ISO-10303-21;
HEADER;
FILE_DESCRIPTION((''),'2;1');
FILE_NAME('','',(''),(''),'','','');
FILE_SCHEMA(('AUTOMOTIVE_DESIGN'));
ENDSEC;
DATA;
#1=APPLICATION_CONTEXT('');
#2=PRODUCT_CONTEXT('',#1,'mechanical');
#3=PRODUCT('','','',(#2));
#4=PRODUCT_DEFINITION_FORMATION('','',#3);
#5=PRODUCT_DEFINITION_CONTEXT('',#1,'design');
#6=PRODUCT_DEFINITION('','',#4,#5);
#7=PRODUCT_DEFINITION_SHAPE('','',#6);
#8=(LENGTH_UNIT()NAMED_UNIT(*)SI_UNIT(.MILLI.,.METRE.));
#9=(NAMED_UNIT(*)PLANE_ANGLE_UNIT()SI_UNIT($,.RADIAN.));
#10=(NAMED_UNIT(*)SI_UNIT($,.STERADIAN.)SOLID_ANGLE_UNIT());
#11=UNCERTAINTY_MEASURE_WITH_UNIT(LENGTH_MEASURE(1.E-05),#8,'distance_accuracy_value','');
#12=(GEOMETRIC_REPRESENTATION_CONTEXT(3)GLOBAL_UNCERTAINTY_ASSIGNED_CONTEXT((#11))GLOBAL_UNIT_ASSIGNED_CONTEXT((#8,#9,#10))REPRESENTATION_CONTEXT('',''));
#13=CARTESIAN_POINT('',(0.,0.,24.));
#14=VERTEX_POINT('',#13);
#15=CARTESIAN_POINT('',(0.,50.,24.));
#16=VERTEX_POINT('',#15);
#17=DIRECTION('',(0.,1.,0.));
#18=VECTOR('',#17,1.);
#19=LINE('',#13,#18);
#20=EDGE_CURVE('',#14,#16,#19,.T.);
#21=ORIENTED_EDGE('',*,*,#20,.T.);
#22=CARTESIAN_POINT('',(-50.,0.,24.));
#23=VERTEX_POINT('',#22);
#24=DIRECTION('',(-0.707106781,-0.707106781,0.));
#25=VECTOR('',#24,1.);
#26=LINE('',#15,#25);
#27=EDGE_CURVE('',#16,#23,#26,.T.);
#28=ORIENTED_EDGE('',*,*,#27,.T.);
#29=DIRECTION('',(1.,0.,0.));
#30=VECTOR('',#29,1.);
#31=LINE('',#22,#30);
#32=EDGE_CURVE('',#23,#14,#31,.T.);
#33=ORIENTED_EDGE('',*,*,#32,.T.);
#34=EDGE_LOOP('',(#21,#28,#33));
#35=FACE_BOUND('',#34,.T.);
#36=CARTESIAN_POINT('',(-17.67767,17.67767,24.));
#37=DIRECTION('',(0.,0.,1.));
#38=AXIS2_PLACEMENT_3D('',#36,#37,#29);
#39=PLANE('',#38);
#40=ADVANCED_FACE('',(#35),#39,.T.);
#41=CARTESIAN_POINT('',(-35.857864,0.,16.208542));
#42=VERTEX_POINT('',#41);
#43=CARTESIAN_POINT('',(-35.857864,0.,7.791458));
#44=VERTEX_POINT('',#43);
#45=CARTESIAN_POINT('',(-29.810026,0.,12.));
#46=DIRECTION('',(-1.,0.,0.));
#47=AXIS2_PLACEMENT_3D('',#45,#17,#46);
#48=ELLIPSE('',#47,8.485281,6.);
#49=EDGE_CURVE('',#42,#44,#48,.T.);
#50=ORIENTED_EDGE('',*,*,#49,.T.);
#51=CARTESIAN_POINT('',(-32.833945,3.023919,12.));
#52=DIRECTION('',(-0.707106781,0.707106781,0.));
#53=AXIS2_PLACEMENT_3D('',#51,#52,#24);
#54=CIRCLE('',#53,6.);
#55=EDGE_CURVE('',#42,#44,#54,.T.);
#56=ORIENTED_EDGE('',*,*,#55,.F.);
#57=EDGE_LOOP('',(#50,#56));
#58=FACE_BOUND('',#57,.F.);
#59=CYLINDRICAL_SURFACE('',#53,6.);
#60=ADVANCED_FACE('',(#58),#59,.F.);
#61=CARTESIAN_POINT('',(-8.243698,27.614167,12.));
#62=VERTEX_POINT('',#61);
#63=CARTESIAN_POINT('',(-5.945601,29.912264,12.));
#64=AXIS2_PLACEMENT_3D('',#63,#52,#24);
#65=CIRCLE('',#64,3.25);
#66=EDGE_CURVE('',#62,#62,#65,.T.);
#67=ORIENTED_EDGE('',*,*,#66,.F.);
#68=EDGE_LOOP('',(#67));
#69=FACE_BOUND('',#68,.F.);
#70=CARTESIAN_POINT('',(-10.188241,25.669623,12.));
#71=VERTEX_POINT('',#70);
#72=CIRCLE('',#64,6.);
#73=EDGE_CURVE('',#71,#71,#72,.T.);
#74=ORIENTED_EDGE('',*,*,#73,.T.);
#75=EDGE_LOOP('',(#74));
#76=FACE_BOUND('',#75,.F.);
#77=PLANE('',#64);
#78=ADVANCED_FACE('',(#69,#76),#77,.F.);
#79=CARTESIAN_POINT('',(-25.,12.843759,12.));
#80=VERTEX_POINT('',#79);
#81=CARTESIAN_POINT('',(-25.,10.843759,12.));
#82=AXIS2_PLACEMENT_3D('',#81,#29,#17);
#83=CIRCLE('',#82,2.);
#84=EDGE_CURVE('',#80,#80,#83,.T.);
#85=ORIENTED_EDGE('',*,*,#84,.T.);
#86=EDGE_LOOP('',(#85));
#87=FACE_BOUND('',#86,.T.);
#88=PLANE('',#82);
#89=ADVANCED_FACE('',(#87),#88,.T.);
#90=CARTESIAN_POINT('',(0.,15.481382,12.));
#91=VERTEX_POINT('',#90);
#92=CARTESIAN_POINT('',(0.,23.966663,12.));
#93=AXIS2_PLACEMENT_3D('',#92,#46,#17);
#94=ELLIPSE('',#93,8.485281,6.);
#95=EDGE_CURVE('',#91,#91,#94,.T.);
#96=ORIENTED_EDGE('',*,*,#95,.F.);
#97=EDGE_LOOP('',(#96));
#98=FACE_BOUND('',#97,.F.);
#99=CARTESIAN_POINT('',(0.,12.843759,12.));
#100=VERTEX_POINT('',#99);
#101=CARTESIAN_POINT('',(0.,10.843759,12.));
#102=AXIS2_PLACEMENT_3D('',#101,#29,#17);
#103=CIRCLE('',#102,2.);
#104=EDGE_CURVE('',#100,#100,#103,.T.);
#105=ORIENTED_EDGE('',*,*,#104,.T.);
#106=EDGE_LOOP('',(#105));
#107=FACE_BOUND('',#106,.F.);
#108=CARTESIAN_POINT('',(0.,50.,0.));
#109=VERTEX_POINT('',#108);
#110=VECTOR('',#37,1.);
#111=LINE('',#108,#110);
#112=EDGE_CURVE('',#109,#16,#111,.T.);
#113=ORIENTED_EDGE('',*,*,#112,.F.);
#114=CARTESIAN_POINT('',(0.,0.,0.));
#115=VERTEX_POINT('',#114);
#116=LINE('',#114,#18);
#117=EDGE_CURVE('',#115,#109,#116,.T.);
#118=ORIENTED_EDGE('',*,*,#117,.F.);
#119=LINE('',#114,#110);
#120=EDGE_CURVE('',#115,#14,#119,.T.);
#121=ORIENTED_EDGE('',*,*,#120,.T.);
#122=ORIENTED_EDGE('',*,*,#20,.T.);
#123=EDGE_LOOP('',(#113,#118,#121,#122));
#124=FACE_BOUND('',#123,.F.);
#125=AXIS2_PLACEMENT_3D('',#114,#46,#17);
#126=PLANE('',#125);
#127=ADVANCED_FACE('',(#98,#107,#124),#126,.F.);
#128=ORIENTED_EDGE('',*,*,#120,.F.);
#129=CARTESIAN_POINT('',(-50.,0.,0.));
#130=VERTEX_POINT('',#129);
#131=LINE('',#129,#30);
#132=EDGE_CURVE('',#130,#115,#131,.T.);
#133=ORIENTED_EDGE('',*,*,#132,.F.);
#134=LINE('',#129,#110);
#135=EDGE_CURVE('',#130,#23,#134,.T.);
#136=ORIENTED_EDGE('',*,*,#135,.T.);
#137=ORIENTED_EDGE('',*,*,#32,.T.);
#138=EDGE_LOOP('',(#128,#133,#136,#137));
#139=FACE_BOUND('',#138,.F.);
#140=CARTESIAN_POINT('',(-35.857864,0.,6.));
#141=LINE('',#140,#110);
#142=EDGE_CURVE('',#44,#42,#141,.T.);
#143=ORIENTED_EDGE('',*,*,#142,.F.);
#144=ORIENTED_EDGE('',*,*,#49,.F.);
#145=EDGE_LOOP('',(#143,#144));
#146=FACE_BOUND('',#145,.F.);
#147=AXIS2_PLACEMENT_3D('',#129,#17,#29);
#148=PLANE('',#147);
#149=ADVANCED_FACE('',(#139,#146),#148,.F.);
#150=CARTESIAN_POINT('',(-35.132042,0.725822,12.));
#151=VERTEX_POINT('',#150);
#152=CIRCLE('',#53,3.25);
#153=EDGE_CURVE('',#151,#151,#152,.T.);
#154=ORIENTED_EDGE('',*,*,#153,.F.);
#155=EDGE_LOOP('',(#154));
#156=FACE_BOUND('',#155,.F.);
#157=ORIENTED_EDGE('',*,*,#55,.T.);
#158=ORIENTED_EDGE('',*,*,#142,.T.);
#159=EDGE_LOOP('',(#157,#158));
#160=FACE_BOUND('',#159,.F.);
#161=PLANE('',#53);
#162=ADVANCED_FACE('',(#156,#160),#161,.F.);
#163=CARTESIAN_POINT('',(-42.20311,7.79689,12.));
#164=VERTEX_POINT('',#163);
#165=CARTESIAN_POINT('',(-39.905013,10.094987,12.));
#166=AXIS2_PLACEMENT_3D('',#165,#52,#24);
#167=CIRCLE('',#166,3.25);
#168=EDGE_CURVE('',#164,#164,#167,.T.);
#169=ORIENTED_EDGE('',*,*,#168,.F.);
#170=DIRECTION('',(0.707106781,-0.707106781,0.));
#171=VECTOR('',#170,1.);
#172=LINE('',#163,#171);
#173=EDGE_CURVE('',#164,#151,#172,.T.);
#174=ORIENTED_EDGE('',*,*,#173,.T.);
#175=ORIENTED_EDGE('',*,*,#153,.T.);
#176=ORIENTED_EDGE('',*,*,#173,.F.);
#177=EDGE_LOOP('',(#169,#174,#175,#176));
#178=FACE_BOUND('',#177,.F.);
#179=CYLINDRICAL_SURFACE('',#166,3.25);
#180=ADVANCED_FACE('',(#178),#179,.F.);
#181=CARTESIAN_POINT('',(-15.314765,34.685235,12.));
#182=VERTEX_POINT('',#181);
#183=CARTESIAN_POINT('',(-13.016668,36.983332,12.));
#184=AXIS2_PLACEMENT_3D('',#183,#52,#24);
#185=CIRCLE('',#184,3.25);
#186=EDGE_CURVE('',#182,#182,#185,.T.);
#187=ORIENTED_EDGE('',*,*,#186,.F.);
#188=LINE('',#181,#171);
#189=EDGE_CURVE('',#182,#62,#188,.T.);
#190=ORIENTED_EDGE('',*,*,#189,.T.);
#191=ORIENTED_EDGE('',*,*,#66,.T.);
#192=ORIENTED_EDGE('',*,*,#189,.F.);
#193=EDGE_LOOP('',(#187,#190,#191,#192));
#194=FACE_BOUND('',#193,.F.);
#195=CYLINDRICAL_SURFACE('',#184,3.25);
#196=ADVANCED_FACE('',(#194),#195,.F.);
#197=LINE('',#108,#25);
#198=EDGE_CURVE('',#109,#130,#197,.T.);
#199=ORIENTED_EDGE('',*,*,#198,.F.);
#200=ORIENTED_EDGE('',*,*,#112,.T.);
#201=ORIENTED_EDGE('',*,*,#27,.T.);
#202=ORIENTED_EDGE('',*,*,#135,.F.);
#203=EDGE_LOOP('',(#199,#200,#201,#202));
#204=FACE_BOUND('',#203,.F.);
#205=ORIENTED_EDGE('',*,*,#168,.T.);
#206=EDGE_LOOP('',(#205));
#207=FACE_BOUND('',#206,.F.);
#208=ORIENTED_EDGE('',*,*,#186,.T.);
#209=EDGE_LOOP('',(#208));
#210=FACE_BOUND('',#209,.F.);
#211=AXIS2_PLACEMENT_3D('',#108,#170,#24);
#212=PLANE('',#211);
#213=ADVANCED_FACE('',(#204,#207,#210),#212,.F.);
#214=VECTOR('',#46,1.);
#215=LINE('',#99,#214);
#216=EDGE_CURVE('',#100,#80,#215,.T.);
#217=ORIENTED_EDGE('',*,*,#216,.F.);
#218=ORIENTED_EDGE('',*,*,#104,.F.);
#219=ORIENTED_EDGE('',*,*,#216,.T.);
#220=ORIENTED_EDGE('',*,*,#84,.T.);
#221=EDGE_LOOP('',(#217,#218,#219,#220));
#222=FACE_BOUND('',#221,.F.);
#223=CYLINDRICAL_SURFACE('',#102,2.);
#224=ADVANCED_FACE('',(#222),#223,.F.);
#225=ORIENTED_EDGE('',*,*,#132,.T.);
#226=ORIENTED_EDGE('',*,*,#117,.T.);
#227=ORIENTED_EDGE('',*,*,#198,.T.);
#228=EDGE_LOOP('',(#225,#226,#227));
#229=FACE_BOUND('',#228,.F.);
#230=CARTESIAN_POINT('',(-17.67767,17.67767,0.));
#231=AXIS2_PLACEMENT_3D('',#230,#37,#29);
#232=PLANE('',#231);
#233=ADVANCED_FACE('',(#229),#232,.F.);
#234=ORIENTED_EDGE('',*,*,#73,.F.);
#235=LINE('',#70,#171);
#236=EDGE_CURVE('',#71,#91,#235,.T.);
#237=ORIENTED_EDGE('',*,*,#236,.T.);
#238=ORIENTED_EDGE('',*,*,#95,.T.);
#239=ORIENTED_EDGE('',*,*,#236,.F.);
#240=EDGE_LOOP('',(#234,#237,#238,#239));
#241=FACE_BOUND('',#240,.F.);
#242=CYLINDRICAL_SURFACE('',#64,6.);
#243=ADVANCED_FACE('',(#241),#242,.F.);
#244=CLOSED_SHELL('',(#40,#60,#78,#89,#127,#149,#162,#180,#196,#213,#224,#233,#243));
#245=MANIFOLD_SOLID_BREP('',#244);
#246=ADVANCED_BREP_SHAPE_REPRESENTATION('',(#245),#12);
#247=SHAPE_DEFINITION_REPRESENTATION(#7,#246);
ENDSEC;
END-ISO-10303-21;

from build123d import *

# Parameters (mm, degrees)
F1_DEPTH = 24
F2_R     = 3.25
F3_DEPTH = 25
F4_START = -10
F2_R_2   = 6
F4_DEPTH = 15
F5_R     = 2
F6_DEPTH = 25


with BuildPart() as f1:
    # F0 (on Top) → F1 (new body)
    with BuildSketch(Plane.XY):
        Polygon((-50, 0), (0, 0), (0, 50), align=None)
    extrude(amount=F1_DEPTH)

    # F2 (on face) → F3 (cut)
    with BuildSketch(Plane(origin=(-25, 25, 0), x_dir=(-0.7071067812, -0.7071067812, 0), z_dir=(-0.7071067812, 0.7071067812, 0))):
        with Locations((-16.9469900429, 12)):
            Circle(F2_R)
        with Locations((21.0788715631, 12)):
            Circle(F2_R)
    extrude(amount=-F3_DEPTH, mode=Mode.SUBTRACT)

    # F2 (on face) → F4 (cut)
    with BuildSketch(Plane(origin=(-25, 25, 0), x_dir=(-0.7071067812, -0.7071067812, 0), z_dir=(-0.7071067812, 0.7071067812, 0)).offset(F4_START)):
        with Locations((21.0788715631, 12)):
            Circle(F2_R_2)
        with Locations((21.0788715631, 12)):
            Circle(F2_R, mode=Mode.SUBTRACT)
        with Locations((-16.9469900429, 12)):
            Circle(F2_R_2)
        with Locations((-16.9469900429, 12)):
            Circle(F2_R, mode=Mode.SUBTRACT)
    extrude(amount=-F4_DEPTH, mode=Mode.SUBTRACT)

    # F5 (on face) → F6 (cut)
    with BuildSketch(Plane.YZ):
        with Locations((10.8437594026, 12)):
            Circle(F5_R)
    extrude(amount=-F6_DEPTH, mode=Mode.SUBTRACT)


solid = f1.part
